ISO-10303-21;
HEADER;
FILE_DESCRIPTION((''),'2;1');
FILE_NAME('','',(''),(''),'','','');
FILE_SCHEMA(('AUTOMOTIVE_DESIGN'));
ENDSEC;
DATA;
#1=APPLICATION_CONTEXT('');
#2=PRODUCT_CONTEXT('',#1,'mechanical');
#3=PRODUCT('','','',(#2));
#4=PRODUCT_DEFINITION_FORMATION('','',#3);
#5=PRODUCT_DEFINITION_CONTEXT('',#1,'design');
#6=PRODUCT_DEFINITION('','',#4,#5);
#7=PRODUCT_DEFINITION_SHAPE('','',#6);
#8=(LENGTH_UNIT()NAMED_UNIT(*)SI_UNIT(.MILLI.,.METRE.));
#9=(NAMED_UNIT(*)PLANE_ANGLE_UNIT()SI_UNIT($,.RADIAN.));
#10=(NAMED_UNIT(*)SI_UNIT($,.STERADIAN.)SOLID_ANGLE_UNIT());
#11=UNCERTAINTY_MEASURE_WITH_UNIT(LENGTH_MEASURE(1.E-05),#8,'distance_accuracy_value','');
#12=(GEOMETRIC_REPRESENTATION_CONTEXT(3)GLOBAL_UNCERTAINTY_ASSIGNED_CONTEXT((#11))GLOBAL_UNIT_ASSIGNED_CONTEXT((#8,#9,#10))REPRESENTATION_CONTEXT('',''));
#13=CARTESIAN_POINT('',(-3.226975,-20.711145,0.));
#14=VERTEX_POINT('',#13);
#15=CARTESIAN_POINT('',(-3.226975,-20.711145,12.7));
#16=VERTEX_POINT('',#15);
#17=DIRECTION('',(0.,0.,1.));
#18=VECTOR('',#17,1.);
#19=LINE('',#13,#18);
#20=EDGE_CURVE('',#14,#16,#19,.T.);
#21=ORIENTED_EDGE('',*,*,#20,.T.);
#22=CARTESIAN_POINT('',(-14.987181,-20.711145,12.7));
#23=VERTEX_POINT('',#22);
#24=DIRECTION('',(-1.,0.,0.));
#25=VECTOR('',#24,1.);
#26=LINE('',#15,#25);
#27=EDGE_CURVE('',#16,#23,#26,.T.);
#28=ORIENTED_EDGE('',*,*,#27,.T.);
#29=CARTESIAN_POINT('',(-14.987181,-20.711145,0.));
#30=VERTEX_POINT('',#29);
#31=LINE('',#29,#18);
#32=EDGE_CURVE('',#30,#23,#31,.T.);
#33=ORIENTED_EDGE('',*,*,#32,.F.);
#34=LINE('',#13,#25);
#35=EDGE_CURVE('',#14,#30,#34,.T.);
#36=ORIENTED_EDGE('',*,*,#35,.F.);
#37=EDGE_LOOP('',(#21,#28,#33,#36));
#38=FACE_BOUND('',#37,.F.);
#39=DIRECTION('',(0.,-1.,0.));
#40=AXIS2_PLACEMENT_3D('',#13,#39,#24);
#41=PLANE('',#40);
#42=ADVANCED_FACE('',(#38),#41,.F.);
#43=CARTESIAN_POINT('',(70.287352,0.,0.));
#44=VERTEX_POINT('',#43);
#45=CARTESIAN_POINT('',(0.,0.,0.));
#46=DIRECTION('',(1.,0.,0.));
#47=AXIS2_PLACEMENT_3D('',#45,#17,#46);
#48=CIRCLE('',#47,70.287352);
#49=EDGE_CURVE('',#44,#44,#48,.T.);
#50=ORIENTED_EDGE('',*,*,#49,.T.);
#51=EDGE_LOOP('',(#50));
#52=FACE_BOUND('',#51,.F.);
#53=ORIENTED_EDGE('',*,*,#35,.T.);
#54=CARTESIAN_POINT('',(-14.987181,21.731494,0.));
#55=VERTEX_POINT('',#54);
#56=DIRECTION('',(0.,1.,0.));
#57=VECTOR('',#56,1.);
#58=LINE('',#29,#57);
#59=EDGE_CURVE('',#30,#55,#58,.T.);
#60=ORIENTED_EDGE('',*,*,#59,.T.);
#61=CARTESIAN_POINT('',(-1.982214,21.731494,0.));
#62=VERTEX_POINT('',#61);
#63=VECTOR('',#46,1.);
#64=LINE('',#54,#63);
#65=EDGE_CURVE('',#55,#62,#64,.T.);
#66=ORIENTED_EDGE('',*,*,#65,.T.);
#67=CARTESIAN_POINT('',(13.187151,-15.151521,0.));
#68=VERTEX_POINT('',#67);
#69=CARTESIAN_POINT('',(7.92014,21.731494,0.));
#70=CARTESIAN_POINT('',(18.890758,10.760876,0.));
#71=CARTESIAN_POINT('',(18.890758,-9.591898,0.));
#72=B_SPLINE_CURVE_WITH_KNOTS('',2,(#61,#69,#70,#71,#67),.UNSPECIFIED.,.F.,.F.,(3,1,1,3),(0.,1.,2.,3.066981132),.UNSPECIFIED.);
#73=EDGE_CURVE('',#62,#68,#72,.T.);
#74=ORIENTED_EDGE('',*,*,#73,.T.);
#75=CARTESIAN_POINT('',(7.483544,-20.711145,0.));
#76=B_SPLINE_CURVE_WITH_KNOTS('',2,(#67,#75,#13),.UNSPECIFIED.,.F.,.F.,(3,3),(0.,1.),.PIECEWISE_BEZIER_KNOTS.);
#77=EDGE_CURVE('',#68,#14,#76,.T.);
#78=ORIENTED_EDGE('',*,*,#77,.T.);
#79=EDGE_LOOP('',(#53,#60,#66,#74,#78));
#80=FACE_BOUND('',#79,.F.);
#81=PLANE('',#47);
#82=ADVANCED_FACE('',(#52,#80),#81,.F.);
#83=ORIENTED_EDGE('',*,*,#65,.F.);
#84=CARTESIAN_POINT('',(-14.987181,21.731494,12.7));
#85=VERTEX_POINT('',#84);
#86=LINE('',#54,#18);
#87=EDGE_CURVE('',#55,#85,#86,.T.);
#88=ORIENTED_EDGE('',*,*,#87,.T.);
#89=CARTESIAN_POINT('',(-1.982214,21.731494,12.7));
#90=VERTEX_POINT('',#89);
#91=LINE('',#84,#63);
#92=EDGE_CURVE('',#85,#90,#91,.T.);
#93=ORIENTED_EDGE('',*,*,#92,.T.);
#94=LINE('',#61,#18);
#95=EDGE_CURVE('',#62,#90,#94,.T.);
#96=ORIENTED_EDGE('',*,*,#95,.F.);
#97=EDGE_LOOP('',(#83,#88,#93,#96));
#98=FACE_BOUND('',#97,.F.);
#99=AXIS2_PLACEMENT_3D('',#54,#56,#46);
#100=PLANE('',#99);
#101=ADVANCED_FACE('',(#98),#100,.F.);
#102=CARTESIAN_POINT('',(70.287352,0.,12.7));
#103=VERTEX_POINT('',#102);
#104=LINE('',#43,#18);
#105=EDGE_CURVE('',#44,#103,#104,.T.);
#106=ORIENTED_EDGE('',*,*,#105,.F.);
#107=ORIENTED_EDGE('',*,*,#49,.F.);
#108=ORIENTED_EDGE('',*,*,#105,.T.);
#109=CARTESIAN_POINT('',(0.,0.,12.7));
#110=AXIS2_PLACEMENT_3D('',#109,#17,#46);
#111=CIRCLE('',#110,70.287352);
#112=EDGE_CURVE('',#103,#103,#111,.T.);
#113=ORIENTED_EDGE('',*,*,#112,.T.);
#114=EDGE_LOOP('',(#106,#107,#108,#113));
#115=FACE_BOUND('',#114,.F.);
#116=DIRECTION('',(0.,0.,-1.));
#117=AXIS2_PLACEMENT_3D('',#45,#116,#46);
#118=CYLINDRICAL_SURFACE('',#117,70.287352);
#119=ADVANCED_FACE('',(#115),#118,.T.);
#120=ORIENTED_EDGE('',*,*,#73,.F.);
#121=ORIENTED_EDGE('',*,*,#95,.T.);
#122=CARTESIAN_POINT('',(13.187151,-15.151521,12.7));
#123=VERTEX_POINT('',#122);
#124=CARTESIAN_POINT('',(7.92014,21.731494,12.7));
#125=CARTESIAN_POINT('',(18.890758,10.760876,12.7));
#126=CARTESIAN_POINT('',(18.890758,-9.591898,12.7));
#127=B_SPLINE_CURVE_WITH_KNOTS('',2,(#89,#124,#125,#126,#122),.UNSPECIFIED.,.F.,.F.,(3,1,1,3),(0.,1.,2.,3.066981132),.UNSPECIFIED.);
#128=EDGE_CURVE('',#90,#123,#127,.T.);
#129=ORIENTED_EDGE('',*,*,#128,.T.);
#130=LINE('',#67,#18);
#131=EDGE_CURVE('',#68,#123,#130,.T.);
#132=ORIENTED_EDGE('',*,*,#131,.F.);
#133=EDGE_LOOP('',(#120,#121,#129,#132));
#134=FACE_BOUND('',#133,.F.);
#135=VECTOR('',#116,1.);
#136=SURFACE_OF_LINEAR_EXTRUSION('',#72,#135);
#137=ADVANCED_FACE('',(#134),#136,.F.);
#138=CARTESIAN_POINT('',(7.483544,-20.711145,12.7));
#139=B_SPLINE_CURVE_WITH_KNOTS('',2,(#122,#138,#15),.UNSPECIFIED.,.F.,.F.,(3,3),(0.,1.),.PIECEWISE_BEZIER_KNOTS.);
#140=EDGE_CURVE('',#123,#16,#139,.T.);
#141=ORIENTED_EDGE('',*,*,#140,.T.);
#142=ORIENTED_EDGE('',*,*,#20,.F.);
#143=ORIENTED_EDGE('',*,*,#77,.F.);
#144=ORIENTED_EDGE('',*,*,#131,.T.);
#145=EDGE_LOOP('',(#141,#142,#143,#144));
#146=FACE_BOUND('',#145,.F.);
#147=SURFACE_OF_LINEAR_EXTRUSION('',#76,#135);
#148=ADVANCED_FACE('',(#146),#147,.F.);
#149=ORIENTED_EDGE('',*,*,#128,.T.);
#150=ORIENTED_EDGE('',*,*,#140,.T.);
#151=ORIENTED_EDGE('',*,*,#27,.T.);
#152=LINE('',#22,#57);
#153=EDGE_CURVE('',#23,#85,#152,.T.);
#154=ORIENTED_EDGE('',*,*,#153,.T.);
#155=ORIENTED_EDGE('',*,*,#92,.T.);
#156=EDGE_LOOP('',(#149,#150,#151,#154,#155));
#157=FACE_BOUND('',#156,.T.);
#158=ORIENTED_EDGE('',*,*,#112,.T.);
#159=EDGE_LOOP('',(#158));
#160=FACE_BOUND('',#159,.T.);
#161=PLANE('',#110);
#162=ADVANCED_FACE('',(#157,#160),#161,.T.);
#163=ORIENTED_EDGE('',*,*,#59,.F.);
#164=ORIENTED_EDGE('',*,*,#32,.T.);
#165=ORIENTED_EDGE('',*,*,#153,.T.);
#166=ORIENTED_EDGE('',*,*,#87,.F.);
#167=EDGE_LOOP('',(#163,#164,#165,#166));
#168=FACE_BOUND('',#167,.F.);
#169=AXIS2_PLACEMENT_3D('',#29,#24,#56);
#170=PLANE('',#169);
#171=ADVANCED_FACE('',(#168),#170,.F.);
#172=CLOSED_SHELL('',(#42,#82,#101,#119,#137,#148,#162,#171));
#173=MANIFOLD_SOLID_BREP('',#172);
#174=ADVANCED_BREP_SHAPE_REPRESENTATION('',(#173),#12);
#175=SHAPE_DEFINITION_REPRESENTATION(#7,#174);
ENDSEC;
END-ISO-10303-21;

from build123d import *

# Parameters (mm, degrees)
F0_R     = 70.2873517209
F1_DEPTH = 12.7


with BuildPart() as f1:
    # F0 (on Top) → F1 (new body)
    with BuildSketch(Plane.XY):
        Circle(F0_R)
        with BuildLine():
            add(Edge.make_bspline(
                [(13.4054490256, 16.2461849085), (18.8907583415, 10.7608755926), (18.8907583415, 0.9142576843)],
                knots=[0, 0, 0, 1, 1, 1], degree=2))
            add(Edge.make_bspline(
                [(18.8907583415, 0.9142576843), (18.8907583415, -9.5918978386), (13.1871513644, -15.1515212519)],
                knots=[0, 0, 0, 1, 1, 1], degree=2))
            add(Edge.make_bspline(
                [(13.1871513644, -15.1515212519), (7.4835443874, -20.7111446653), (-3.2269749035, -20.7111446653)],
                knots=[0, 0, 0, 1, 1, 1], degree=2))
            Line((-3.2269749035, -20.7111446653), (-14.9871808203, -20.7111446653))
            Line((-14.9871808203, -20.7111446653), (-14.9871808203, 21.7314942244))
            Line((-14.9871808203, 21.7314942244), (-1.9822137716, 21.7314942244))
            add(Edge.make_bspline(
                [(-1.9822137716, 21.7314942244), (7.9201397097, 21.7314942244), (13.4054490256, 16.2461849085)],
                knots=[0, 0, 0, 1, 1, 1], degree=2))
        make_face(mode=Mode.SUBTRACT)
    extrude(amount=F1_DEPTH)


solid = f1.part
